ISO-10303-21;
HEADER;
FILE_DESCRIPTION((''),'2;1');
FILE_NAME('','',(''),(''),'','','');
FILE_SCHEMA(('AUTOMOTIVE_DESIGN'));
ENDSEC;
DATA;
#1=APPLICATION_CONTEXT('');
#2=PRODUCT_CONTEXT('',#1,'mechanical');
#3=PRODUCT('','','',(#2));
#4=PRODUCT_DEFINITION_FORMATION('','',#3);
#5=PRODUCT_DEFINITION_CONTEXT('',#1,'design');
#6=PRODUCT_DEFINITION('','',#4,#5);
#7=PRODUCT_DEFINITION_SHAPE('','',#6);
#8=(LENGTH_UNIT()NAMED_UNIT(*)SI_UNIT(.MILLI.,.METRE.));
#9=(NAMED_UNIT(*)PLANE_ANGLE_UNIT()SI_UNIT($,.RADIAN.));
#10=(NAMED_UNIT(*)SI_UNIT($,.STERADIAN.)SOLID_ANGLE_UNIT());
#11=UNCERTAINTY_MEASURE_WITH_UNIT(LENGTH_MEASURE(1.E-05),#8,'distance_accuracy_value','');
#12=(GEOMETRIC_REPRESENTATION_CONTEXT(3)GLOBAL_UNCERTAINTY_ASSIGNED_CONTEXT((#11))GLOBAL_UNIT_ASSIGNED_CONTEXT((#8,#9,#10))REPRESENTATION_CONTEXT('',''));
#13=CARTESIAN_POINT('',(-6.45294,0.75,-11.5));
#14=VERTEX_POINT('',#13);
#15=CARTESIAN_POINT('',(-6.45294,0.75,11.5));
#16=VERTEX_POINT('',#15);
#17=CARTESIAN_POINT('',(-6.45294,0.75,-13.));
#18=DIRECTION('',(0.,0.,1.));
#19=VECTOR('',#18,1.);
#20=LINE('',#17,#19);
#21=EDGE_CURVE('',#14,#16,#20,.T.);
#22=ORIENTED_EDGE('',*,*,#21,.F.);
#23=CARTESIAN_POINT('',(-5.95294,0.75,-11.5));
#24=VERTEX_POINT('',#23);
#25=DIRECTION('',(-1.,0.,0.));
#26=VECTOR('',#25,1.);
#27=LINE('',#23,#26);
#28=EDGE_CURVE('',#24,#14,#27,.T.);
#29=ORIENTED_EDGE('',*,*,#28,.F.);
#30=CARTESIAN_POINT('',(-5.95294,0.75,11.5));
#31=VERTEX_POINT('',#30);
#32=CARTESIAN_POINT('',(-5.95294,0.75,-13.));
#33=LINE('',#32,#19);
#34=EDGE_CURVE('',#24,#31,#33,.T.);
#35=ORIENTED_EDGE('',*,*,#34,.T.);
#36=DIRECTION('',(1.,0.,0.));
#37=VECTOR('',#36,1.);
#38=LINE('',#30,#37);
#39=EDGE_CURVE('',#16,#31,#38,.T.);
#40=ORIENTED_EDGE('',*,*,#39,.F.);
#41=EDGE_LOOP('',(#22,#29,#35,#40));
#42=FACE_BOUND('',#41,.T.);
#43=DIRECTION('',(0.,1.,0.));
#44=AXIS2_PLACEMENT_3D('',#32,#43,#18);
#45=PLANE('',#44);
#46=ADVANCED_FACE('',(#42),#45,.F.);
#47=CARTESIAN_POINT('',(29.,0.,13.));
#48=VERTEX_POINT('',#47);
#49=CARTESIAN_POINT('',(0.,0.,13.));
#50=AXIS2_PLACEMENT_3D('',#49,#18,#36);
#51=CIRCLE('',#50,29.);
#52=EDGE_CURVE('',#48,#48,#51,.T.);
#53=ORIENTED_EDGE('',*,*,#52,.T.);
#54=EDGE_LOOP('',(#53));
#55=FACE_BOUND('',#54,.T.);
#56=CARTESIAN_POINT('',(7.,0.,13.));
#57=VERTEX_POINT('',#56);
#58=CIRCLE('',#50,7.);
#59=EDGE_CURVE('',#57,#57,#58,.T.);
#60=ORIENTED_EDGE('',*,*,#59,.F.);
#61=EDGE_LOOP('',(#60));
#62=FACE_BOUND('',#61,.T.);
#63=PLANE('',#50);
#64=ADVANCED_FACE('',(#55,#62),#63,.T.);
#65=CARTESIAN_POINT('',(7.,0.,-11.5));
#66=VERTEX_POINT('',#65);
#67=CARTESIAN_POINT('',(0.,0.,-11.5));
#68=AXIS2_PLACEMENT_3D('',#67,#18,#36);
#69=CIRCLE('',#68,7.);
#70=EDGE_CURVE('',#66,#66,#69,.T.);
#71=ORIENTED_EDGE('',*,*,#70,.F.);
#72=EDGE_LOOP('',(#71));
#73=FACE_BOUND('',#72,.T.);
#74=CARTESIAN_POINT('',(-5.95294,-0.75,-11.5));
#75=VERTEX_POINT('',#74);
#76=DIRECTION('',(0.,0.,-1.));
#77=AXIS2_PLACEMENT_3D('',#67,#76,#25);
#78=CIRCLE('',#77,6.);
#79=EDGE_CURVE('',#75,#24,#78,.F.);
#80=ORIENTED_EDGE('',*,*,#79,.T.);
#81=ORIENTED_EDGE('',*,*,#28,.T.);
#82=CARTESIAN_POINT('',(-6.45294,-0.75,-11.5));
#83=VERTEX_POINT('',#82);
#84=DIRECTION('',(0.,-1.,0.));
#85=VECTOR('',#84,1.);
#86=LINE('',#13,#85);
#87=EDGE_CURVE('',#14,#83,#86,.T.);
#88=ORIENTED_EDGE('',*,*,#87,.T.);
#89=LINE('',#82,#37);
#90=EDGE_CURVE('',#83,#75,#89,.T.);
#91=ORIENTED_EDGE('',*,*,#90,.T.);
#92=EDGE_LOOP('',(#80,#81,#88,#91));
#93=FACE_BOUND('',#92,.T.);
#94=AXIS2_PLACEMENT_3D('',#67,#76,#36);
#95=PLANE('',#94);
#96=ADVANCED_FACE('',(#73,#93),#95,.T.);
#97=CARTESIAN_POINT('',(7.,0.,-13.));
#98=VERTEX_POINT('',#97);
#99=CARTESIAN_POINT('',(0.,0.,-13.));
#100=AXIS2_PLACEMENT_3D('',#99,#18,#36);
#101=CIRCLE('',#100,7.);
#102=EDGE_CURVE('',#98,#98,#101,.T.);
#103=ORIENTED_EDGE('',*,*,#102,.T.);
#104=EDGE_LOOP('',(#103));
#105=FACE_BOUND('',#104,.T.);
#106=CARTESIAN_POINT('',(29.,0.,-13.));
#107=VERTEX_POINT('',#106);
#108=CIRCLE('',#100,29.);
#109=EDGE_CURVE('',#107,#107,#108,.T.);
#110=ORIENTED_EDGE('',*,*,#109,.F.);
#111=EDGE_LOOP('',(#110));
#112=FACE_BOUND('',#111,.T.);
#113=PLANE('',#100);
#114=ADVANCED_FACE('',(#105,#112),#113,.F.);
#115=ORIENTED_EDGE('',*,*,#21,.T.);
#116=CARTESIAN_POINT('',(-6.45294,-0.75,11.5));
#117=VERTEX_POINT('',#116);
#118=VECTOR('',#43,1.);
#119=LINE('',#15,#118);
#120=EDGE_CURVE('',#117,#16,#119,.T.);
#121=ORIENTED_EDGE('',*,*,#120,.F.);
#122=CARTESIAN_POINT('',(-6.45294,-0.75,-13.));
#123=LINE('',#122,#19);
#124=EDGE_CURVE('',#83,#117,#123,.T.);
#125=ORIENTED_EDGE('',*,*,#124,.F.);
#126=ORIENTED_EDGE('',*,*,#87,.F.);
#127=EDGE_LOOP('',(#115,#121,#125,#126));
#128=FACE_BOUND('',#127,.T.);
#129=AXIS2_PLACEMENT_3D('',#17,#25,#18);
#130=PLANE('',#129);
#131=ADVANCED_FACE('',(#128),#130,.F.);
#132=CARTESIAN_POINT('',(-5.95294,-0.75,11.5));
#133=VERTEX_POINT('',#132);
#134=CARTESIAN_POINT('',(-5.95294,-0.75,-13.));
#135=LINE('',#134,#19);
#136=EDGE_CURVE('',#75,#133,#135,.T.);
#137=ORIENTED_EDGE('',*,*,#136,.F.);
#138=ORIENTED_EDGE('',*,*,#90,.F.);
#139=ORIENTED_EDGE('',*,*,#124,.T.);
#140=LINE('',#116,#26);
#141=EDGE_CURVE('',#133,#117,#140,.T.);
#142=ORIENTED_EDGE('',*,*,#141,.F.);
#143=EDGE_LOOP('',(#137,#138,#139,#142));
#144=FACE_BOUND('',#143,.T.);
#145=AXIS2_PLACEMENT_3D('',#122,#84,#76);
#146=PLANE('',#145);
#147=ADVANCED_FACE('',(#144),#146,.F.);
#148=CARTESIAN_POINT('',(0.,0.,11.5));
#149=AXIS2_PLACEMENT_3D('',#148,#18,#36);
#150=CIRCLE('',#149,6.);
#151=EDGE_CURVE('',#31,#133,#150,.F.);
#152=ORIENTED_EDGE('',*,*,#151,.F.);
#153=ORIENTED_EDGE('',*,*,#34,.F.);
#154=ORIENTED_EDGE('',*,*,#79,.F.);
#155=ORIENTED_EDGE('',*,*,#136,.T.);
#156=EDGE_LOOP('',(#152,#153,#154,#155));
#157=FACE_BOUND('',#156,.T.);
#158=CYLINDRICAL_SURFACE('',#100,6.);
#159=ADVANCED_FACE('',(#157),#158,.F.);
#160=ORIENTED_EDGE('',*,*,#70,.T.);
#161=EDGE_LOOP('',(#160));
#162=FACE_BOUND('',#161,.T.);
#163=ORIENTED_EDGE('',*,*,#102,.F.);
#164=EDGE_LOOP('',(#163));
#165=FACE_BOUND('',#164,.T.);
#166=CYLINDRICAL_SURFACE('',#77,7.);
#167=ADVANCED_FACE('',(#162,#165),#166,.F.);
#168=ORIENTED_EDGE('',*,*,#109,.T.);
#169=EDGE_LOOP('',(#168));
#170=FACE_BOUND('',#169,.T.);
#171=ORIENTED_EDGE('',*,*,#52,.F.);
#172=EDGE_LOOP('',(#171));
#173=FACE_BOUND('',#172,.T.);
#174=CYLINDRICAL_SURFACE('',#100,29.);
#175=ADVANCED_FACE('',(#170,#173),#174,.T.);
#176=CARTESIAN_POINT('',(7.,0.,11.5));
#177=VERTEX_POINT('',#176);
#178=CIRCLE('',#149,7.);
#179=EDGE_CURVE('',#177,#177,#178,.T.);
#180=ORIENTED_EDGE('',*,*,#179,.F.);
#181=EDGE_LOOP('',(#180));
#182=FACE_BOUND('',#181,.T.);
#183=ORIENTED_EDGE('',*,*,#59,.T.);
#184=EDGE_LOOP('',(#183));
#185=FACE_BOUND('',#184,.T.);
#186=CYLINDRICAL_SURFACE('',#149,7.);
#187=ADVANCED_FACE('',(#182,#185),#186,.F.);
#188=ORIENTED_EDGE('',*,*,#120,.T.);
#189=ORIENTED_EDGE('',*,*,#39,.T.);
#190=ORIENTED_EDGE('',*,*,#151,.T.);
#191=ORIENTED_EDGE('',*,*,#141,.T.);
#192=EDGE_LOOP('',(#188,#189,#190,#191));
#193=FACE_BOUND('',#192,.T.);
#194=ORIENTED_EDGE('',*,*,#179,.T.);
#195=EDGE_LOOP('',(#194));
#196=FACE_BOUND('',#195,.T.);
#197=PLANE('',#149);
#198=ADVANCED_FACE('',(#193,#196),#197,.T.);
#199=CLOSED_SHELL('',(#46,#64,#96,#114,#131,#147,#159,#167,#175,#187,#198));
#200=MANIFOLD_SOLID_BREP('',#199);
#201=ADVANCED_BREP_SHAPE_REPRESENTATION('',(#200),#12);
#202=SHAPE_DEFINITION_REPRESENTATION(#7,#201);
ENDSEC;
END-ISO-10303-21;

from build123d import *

# Parameters (mm, degrees)
BOSS_EXTRUDE1_DEPTH      = 13
BOSS_EXTRUDE1_DEPTH_BACK = 13
SKETCH1_R                = 29
SKETCH2_R                = 7
CUT_EXTRUDE1_DEPTH       = 1.5


with BuildPart() as part:
    # Sketch1 → Boss-Extrude1 (new, two sides: drawn at the far end of the back side and taken through both)
    with BuildSketch(Plane.XY.offset(-BOSS_EXTRUDE1_DEPTH_BACK)):
        Circle(SKETCH1_R)
        with BuildLine():
            Line((-5.95294045, 0.75), (-6.45294045, 0.75))
            Line((-6.45294045, 0.75), (-6.45294045, -0.75))
            Line((-6.45294045, -0.75), (-5.95294045, -0.75))
            ThreePointArc((-5.95294045, -0.75), (6, 0), (-5.95294045, 0.75))
        make_face(mode=Mode.SUBTRACT)
    extrude(amount=BOSS_EXTRUDE1_DEPTH + BOSS_EXTRUDE1_DEPTH_BACK)

    # Sketch2 → Cut-Extrude1 (cut)
    with BuildSketch(Plane.XY.offset(13)):
        Circle(SKETCH2_R)
    cut_extrude1 = extrude(amount=-CUT_EXTRUDE1_DEPTH, mode=Mode.SUBTRACT)

    # Mirror1: Cut-Extrude1 across plane
    add(cut_extrude1.mirror(Plane.XY), mode=Mode.SUBTRACT)


solid = part.part
